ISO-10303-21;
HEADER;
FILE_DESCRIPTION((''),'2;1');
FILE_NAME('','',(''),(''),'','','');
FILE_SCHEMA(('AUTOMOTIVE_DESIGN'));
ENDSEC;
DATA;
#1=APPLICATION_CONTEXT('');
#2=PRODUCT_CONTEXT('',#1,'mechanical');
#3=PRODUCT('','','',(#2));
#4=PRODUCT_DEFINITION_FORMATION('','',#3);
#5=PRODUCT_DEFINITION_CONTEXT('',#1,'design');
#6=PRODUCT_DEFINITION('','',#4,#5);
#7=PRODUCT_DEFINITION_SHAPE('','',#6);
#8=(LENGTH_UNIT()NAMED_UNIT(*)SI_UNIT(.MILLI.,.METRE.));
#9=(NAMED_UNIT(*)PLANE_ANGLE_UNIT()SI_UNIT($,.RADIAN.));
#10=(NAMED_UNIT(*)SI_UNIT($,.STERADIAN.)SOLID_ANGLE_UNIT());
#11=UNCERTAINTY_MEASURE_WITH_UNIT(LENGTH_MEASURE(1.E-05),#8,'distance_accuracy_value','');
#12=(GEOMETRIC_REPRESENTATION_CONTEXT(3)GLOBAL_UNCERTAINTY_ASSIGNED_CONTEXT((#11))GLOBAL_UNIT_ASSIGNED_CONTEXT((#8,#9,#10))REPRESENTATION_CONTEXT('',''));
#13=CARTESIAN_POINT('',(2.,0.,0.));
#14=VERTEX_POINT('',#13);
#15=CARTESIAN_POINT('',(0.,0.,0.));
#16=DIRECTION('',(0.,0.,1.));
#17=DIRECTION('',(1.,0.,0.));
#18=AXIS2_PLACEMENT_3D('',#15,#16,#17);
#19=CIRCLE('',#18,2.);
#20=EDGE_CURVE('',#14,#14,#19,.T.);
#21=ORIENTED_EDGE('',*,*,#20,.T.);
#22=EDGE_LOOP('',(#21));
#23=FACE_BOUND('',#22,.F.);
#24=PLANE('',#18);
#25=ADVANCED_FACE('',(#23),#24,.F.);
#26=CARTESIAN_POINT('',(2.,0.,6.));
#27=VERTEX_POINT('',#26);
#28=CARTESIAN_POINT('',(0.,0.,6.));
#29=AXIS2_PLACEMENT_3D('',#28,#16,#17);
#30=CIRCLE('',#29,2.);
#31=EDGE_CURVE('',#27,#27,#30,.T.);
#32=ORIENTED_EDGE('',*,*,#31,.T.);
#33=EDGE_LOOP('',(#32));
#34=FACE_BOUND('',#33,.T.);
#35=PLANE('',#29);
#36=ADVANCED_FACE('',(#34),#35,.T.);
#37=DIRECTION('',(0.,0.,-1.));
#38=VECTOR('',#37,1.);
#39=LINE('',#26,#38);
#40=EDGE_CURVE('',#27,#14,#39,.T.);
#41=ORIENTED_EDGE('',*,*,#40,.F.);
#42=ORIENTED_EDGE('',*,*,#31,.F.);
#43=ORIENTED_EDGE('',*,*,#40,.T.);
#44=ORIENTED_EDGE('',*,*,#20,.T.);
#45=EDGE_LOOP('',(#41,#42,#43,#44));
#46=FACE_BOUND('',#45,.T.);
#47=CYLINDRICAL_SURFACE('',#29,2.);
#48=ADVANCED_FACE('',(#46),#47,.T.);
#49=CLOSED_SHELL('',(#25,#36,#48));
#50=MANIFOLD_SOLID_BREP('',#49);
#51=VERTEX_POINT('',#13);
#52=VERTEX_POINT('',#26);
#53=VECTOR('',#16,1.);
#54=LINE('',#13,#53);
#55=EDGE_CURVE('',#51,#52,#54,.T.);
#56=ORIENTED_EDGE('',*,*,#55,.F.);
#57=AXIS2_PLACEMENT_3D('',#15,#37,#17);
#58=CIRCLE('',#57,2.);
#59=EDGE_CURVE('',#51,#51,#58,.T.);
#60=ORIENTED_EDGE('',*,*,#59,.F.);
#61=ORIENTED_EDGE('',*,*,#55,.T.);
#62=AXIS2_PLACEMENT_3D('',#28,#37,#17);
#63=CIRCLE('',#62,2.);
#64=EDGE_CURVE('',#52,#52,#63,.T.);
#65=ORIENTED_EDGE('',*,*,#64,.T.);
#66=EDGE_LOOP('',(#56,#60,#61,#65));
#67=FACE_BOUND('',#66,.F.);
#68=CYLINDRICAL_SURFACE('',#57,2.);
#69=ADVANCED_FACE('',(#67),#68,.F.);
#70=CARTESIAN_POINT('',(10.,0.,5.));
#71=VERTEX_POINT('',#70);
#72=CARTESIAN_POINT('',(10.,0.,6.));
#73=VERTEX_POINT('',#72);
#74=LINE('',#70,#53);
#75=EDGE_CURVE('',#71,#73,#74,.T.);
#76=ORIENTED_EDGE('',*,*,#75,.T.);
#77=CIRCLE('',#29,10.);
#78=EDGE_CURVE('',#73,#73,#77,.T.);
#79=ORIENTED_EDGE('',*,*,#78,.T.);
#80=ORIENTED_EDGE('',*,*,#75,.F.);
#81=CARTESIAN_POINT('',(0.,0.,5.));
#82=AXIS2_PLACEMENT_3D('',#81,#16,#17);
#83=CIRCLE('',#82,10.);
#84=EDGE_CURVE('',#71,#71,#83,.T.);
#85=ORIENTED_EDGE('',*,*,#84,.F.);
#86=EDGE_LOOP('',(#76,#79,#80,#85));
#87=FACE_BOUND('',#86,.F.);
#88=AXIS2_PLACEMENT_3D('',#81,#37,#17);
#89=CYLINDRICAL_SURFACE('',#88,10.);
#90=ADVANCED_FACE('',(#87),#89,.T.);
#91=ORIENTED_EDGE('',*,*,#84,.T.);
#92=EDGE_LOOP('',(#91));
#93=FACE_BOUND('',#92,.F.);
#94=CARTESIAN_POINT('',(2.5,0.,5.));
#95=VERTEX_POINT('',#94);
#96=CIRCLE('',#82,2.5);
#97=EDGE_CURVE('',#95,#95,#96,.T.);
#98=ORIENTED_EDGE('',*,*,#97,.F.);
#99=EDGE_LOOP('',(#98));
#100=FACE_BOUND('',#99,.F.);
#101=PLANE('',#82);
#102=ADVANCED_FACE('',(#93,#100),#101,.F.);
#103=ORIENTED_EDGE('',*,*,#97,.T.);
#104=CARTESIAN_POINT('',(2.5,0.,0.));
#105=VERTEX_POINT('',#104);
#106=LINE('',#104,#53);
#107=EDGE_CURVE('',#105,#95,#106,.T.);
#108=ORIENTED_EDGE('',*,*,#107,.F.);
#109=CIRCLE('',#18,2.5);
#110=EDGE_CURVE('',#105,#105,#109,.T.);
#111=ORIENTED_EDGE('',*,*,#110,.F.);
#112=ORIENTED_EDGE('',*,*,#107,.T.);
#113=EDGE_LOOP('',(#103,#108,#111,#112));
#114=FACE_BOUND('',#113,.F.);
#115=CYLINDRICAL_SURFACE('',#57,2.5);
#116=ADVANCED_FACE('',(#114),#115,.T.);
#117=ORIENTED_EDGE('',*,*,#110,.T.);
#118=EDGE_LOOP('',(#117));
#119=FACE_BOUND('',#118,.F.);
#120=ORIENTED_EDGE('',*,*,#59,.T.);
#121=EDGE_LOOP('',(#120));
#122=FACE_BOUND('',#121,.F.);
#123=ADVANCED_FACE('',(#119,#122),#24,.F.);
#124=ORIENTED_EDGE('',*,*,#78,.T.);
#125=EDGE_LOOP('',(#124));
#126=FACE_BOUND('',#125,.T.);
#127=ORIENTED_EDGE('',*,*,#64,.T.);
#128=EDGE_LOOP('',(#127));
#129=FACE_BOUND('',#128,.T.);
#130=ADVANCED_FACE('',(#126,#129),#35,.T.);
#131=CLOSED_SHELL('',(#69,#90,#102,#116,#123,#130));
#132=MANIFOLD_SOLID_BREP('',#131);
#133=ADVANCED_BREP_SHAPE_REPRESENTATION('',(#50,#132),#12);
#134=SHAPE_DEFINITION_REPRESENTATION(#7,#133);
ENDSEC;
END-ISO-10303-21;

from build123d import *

# Parameters (mm, degrees)
F0_R     = 2.5
F1_DEPTH = 5
F2_R     = 10
F3_DEPTH = 1
F4_R     = 2
F5_DEPTH = 25
F6_R     = 2
F7_DEPTH = 6


with BuildPart() as f1:
    # F0 (on Top) → F1 (new body)
    with BuildSketch(Plane.XY):
        Circle(F0_R)
    extrude(amount=F1_DEPTH)

    # F2 (on face) → F3 (join)
    with BuildSketch(Plane.XY.offset(5)):
        Circle(F2_R)
    extrude(amount=F3_DEPTH)

    # F4 (on face) → F5 (cut)
    with BuildSketch(Plane(origin=(0, 0, 0), x_dir=(1, 0, 0), z_dir=(0, 0, -1))):
        Circle(F4_R)
    extrude(amount=-F5_DEPTH, mode=Mode.SUBTRACT)


with BuildPart() as f7:
    # F6 (on face) → F7 (new body)
    with BuildSketch(Plane.XY.offset(6)):
        Circle(F6_R)
    extrude(amount=-F7_DEPTH)


solid = Compound([f1.part, f7.part])
